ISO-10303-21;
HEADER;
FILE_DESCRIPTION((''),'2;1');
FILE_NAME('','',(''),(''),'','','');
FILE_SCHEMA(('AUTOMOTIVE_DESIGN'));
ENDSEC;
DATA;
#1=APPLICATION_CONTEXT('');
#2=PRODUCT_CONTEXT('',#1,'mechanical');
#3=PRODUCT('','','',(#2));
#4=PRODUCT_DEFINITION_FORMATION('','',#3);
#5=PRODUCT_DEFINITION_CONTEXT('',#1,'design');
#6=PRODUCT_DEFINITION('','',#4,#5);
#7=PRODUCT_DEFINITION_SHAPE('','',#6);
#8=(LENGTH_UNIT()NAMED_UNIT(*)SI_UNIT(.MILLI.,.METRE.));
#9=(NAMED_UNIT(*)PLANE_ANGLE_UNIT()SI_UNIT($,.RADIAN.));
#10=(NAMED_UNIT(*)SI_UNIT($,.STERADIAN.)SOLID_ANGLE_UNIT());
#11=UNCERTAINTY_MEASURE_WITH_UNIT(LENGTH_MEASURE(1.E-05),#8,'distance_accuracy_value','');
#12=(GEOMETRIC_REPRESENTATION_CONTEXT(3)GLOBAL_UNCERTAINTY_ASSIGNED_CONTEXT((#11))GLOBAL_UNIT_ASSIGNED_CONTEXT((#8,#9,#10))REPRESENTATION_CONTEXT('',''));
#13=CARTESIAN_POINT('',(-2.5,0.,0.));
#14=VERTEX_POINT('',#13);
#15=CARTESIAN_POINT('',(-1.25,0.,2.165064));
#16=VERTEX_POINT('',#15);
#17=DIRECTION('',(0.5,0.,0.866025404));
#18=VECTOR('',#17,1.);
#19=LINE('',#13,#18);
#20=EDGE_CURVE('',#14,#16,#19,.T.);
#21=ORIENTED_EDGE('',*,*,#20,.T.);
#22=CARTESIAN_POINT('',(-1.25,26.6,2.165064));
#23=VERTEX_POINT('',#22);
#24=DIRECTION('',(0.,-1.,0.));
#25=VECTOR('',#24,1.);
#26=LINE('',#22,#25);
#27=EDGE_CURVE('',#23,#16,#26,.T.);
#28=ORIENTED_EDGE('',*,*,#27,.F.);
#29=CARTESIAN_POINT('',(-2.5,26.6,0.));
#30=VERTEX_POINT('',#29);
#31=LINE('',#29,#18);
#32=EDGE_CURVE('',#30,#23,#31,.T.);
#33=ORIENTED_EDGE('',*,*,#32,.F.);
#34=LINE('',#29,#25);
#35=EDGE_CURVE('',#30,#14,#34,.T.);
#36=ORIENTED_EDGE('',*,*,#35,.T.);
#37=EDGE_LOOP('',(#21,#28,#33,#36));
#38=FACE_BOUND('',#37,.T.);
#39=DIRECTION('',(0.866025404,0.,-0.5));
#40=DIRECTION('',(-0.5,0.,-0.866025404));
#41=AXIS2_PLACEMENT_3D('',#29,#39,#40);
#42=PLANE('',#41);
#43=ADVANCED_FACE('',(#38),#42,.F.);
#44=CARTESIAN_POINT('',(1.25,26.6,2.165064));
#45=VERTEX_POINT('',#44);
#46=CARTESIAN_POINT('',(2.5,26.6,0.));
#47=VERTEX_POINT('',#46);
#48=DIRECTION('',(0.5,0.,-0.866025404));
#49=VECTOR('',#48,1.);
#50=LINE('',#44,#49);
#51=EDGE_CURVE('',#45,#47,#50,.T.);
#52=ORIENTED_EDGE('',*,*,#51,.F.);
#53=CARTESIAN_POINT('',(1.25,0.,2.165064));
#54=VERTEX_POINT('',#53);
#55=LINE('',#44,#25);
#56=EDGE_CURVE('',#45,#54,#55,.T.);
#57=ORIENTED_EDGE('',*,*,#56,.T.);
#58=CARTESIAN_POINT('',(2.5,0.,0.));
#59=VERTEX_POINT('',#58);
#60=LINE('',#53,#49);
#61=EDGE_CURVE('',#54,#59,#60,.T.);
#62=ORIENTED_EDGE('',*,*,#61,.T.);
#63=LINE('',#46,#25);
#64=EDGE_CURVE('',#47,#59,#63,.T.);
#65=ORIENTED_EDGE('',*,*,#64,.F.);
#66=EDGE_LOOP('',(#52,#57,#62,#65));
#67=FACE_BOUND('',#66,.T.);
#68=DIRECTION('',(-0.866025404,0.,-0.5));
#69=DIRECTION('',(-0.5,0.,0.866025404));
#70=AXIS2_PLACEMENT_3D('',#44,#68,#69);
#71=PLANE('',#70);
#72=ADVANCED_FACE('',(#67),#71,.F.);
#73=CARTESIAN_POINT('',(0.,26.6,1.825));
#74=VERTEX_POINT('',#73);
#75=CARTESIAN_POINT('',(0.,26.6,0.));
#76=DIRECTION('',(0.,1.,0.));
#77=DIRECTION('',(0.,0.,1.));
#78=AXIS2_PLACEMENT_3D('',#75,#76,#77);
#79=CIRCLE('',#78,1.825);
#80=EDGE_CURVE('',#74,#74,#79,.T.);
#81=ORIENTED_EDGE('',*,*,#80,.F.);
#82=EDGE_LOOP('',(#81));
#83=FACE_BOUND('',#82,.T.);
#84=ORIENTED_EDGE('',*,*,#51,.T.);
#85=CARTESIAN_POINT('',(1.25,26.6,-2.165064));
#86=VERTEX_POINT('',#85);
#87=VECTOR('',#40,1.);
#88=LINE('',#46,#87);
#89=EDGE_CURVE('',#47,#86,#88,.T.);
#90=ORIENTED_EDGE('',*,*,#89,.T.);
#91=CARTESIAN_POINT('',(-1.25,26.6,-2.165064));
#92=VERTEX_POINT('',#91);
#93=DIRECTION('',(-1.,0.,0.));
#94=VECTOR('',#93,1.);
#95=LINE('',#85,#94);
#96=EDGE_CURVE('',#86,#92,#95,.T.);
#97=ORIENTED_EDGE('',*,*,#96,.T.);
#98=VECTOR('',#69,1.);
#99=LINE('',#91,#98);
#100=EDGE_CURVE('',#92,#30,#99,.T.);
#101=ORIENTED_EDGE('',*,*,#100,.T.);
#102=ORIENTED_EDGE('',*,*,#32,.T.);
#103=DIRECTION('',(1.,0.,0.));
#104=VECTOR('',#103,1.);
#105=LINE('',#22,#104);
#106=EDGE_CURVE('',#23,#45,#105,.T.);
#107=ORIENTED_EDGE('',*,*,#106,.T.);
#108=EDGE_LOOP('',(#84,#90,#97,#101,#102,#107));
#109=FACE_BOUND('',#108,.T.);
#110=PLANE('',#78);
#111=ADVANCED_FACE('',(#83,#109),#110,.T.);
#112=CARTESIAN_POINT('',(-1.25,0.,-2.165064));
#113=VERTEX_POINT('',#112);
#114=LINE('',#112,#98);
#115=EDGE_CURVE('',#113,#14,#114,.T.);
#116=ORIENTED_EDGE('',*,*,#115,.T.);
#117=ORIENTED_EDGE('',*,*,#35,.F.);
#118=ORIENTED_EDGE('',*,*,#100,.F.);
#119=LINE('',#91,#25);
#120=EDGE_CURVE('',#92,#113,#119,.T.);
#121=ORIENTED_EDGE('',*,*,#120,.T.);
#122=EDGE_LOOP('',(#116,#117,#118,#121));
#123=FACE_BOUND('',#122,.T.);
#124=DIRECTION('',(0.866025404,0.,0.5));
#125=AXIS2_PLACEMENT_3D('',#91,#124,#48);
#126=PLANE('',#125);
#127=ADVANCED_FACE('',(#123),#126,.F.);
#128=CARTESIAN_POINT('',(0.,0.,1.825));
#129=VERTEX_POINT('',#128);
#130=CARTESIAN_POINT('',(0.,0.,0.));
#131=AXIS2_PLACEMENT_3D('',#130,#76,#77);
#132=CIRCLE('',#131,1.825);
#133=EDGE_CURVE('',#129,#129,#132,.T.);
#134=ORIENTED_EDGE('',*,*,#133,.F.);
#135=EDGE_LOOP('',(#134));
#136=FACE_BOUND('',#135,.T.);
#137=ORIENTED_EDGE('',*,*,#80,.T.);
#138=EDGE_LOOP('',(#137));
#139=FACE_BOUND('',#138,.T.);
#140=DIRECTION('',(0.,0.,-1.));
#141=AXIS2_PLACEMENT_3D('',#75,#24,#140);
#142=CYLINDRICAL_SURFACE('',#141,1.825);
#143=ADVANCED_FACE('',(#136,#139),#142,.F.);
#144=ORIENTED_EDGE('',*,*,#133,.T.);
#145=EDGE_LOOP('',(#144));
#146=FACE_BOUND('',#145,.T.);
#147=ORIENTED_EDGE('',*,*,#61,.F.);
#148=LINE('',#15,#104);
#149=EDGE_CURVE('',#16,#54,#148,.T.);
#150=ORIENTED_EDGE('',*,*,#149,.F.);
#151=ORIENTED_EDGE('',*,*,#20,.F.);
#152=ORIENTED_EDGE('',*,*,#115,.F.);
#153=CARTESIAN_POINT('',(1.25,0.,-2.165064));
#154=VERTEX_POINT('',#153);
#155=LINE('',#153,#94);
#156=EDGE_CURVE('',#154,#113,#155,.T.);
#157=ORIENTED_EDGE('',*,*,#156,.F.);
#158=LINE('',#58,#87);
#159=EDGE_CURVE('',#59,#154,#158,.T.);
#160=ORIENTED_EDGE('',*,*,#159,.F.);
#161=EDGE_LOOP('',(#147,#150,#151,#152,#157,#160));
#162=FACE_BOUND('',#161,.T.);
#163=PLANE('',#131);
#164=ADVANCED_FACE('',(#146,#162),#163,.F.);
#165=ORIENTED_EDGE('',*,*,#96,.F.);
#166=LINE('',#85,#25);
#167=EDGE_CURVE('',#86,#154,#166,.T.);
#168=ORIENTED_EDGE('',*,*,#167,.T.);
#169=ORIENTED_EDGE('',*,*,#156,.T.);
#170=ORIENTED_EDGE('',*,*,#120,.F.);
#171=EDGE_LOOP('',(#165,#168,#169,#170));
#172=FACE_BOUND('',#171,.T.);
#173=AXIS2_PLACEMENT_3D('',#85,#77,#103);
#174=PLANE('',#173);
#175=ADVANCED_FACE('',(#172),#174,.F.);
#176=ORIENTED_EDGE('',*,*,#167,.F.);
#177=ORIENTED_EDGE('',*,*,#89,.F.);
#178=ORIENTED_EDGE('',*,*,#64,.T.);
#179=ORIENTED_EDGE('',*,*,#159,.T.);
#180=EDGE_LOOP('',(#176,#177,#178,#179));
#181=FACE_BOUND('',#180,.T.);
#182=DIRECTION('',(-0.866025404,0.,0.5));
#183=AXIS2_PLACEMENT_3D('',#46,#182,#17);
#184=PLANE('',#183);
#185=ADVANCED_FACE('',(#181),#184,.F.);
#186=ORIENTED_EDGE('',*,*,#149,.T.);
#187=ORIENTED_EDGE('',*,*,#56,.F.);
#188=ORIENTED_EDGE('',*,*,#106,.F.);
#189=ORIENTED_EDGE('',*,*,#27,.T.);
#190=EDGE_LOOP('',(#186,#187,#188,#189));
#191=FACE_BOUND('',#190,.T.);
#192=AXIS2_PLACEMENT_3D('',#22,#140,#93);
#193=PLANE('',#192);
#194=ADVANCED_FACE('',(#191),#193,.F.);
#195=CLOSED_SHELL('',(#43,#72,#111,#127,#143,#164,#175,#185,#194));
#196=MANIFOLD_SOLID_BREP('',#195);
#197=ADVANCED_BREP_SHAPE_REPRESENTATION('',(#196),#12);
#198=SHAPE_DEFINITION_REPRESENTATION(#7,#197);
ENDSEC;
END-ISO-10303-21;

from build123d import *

# Parameters (mm, degrees)
CROQUIS1_R              = 1.825
SALIENTE_EXTRUIR1_DEPTH = 26.6


with BuildPart() as part:
    # Croquis1 → Saliente-Extruir1 (new body)
    with BuildSketch(Plane(origin=(0, 0, 0), x_dir=(1, 0, 0), z_dir=(0, 1, 0))):
        Polygon((2.5, 0), (1.25, 2.165063509), (-1.25, 2.165063509), (-2.5, 0), (-1.25, -2.165063509), (1.25, -2.165063509), align=None)
        with Locations(Location((0, 0, 0), (0, 0, 270))):
            Circle(CROQUIS1_R, mode=Mode.SUBTRACT)
    extrude(amount=SALIENTE_EXTRUIR1_DEPTH)


solid = part.part
